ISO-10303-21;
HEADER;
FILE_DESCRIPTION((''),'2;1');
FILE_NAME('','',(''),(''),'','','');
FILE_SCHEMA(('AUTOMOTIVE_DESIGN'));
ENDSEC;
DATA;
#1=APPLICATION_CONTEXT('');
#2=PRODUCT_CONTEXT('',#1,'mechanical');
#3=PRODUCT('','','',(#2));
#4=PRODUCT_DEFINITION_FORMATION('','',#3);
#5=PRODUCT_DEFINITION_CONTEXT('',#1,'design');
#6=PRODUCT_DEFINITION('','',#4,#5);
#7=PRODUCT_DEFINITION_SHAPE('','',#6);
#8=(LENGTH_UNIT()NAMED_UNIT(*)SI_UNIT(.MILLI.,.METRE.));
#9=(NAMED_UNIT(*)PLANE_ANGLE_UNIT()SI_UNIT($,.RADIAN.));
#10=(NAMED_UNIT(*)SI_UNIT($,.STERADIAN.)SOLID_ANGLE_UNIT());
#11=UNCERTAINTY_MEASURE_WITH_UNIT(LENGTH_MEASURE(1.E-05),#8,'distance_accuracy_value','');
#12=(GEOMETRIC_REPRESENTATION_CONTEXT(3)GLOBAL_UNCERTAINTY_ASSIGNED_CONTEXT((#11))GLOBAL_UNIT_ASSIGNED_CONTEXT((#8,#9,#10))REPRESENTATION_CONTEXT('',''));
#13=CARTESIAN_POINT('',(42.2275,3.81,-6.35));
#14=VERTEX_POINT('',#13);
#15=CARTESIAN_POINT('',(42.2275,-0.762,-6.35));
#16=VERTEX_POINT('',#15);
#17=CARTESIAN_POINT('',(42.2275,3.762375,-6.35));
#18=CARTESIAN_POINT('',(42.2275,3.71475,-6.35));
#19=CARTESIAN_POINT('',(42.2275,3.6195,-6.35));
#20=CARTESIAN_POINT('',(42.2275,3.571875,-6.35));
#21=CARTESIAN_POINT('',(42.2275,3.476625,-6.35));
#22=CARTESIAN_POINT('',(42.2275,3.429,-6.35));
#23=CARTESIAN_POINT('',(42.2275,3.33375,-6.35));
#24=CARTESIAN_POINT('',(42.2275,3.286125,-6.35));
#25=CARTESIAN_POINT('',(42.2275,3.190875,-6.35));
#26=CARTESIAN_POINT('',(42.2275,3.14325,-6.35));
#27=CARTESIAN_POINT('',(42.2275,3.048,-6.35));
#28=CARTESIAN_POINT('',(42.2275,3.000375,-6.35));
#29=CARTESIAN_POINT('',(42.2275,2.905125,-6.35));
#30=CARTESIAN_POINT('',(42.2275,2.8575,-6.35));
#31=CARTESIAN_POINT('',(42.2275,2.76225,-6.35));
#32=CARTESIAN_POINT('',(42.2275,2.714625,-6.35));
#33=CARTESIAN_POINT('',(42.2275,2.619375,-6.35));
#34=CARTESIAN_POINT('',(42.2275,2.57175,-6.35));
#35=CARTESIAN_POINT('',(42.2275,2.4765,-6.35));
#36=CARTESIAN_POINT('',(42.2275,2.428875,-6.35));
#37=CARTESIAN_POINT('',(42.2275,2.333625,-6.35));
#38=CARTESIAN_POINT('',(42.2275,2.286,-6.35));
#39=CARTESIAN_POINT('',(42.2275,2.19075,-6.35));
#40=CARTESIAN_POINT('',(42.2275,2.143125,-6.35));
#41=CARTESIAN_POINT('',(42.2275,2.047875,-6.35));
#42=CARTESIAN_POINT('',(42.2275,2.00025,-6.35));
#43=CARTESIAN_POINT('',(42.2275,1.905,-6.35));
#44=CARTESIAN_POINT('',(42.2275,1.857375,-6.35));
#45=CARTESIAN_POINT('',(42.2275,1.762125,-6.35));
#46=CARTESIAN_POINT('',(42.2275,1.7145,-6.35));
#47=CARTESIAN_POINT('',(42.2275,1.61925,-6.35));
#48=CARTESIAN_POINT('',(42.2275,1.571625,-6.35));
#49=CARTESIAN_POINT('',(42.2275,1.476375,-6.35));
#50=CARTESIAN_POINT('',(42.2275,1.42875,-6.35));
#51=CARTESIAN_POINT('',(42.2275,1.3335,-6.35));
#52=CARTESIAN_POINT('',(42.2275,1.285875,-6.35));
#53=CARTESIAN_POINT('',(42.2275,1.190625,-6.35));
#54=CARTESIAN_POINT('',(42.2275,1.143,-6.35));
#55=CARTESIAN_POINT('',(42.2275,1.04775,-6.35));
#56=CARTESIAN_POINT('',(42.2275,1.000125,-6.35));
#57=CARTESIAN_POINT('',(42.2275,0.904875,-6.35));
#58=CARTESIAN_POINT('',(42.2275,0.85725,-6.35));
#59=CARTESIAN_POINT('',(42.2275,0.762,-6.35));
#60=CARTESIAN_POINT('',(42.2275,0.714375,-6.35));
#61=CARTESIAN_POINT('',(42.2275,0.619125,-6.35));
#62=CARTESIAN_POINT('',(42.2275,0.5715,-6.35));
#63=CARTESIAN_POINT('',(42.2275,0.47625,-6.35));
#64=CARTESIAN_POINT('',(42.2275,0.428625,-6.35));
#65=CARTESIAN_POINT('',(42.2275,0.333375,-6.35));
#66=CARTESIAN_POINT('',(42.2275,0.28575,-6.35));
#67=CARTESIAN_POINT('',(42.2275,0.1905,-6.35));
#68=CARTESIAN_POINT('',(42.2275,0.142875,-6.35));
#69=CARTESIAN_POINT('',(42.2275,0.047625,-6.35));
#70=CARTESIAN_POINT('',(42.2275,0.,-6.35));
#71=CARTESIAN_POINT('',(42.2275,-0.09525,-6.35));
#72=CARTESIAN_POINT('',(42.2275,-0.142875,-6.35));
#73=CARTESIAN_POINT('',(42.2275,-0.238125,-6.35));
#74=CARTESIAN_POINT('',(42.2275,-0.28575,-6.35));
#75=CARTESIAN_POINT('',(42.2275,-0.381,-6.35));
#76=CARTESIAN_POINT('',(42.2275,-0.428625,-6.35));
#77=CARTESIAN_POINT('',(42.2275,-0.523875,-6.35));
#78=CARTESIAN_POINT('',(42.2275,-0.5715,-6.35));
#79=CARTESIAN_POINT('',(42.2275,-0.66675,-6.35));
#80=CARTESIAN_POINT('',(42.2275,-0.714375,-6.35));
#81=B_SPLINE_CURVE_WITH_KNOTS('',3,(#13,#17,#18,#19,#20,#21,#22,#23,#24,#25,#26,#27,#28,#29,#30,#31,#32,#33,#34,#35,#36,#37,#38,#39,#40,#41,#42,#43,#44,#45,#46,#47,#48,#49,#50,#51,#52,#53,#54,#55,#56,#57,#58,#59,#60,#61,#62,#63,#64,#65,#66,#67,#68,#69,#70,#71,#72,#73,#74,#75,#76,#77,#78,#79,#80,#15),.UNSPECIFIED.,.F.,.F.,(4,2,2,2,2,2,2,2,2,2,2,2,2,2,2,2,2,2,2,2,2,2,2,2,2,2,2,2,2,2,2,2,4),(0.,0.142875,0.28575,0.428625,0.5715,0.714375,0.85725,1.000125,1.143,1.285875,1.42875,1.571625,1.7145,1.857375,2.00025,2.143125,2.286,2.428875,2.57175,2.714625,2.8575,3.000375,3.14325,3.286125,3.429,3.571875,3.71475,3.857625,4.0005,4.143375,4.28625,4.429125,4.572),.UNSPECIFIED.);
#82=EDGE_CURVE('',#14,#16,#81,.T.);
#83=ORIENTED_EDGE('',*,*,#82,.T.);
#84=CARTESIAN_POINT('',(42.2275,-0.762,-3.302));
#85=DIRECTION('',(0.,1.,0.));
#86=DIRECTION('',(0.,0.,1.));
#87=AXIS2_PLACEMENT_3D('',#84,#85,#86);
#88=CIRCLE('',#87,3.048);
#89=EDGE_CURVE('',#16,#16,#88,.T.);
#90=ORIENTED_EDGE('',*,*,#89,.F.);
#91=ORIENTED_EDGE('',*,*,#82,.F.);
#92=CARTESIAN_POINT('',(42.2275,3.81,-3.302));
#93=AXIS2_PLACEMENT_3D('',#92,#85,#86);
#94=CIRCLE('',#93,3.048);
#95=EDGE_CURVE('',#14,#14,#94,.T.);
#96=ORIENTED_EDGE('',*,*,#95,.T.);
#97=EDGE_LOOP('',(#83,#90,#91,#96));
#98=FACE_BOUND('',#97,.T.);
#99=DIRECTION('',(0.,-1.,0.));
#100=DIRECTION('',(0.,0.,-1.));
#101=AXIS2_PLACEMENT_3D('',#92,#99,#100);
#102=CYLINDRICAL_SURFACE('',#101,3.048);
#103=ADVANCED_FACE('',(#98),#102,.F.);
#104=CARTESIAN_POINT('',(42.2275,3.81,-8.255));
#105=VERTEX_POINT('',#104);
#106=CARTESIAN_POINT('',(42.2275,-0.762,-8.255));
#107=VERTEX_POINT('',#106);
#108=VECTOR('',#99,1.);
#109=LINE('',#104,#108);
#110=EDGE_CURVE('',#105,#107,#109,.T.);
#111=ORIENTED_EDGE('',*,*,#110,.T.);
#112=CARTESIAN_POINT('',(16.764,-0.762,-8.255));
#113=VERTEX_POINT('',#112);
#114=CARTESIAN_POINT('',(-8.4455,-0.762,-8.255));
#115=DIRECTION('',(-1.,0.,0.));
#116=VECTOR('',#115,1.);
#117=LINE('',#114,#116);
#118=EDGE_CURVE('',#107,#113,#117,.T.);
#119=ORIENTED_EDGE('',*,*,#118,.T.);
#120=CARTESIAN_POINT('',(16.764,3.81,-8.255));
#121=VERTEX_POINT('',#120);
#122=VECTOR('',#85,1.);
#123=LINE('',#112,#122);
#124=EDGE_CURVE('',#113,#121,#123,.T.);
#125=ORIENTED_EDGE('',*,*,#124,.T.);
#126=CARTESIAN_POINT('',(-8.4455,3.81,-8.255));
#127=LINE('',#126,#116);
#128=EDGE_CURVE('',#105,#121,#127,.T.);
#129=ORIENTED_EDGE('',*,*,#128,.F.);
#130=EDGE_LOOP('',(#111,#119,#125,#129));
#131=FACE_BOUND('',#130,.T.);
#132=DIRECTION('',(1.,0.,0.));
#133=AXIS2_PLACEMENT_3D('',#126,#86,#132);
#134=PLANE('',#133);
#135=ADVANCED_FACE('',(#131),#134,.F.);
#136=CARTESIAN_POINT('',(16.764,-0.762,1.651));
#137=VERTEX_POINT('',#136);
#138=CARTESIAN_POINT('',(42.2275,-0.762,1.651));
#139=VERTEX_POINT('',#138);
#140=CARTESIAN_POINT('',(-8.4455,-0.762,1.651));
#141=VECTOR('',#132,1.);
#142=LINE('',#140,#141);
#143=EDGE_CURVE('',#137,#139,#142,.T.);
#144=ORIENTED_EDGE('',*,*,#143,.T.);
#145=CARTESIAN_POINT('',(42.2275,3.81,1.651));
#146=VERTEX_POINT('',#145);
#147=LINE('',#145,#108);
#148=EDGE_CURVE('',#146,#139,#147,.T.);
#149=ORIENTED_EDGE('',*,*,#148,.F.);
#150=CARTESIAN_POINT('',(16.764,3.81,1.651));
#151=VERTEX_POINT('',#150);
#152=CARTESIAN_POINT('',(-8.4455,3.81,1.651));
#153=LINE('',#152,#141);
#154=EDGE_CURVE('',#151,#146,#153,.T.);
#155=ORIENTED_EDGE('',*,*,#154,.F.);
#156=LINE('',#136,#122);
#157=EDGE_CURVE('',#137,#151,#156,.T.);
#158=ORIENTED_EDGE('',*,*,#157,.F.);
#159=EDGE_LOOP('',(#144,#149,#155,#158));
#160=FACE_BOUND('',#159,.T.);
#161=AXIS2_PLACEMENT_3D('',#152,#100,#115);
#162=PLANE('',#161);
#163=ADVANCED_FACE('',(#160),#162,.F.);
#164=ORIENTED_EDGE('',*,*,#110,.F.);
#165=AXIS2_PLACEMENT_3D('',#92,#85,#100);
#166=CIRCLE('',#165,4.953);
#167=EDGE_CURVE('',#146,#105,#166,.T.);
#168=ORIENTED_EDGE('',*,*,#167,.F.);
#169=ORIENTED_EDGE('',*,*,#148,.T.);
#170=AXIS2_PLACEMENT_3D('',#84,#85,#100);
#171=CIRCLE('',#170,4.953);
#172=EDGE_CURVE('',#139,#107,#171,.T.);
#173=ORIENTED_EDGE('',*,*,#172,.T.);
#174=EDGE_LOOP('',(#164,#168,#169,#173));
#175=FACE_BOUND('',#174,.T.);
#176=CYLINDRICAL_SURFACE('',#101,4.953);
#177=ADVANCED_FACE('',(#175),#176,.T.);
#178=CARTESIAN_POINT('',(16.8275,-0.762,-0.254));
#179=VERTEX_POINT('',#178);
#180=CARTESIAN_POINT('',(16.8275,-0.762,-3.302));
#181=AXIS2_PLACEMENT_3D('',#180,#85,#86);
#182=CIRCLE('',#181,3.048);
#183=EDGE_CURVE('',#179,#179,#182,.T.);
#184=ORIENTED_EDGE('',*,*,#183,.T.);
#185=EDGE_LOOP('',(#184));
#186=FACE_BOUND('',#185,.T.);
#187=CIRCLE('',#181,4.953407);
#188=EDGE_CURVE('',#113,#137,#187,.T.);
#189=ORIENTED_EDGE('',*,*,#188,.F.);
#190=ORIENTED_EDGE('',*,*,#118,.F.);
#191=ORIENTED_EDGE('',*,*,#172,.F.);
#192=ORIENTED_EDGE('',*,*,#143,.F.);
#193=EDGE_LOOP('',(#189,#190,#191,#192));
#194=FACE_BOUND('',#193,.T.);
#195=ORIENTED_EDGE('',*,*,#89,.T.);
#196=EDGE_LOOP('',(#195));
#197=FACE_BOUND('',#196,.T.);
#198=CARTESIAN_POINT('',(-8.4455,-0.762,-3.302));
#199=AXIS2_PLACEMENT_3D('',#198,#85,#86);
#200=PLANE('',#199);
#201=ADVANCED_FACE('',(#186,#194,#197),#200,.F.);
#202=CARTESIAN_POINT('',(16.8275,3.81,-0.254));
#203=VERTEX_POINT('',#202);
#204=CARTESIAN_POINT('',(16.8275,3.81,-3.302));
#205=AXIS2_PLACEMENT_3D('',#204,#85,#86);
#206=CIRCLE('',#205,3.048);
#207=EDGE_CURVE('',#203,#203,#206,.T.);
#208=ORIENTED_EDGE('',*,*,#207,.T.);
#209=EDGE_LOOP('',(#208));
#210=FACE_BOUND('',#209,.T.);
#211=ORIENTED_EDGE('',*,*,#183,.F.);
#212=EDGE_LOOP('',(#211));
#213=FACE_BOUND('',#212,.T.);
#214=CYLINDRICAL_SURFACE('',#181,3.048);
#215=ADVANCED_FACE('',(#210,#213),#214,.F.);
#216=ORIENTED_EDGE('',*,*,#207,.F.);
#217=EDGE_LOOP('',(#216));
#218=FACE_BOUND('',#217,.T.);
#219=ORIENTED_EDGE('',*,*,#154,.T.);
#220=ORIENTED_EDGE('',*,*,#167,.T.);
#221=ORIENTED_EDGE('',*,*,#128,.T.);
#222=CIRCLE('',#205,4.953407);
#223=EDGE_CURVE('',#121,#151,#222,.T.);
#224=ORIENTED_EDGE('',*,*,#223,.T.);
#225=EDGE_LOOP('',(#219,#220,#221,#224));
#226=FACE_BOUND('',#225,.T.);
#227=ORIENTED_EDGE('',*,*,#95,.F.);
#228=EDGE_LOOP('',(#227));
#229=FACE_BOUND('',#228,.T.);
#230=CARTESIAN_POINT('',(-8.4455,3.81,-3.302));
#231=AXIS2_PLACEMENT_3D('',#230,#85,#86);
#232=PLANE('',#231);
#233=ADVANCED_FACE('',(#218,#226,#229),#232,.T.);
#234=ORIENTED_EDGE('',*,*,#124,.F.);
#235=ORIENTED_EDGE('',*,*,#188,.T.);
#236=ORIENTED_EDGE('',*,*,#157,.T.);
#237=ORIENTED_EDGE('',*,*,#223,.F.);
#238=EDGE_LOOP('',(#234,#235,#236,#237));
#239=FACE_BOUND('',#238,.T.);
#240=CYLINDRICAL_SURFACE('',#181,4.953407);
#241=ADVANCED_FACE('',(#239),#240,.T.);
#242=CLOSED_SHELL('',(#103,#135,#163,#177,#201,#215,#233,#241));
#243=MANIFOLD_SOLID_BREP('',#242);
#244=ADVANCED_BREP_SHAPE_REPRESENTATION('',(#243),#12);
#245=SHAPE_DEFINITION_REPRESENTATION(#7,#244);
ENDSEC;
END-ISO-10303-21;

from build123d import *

# Parameters (mm, degrees)
ESQUISSE1_R             = 2.032
BOSS_EXTRU_1_DEPTH      = 3.048
ECHELLE1_SCALE          = 1.5
ESQUISSE2_R             = 3.048
ENL_V_MAT_EXTRU_1_DEPTH = 49.114943513
ESQUISSE3_R             = 3.048
ENL_V_MAT_EXTRU_2_DEPTH = 49.114943513


with BuildPart() as part:
    # Esquisse1 → Boss.-Extru.1 (new body)
    with BuildSketch(Plane(origin=(0, 0, 0), x_dir=(1, 0, 0), z_dir=(0, 1, 0))):
        with BuildLine():
            Line((0, 0), (33.782, 0))
            ThreePointArc((33.782, 0), (37.084, 3.302), (33.782, 6.604))
            Line((33.782, 6.604), (0, 6.604))
            ThreePointArc((0, 6.604), (-3.302, 3.302), (0, 0))
        make_face()
        with Locations(Location((0, 3.302, 0), (0, 0, 90))):
            Circle(ESQUISSE1_R, mode=Mode.SUBTRACT)
        with Locations(Location((33.782, 3.302, 0), (0, 0, 90))):
            Circle(ESQUISSE1_R, mode=Mode.SUBTRACT)
    extrude(amount=BOSS_EXTRU_1_DEPTH)


with BuildPart() as part_1:
    # Echelle1: scaled about (16.891, 1.524, -3.302)
    add(part.part.scale(ECHELLE1_SCALE).moved(Location((-8.4455, -0.762, 1.651))))

    # Esquisse2 → Enlèv. mat.-Extru.1 (cut, through all)
    with BuildSketch(Plane(origin=(0, 3.81, 0), x_dir=(1, 0, 0), z_dir=(0, 1, 0))):
        with Locations(Location((16.8275, 3.302, 0), (0, 0, 270))):
            Circle(ESQUISSE2_R)
    extrude(amount=-ENL_V_MAT_EXTRU_1_DEPTH, mode=Mode.SUBTRACT)

    # Esquisse3 → Enlèv. mat.-Extru.2 (cut, through all)
    # profile 1 of 3: a face of its own
    with BuildSketch(Plane(origin=(0, 3.81, 0), x_dir=(1, 0, 0), z_dir=(0, 1, 0))):
        with BuildLine():
            ThreePointArc((-13.3985, 3.301999981), (-11.947799894, 6.804299881), (-8.4455, 8.255))
            Line((-8.4455, 8.255), (-13.3985, 8.255))
            Line((-13.3985, 8.255), (-13.3985, 3.301999981))
        make_face()
    # profile 2 of 3: a face of its own
    with BuildSketch(Plane(origin=(0, 3.81, 0), x_dir=(1, 0, 0), z_dir=(0, 1, 0))):
        with BuildLine():
            ThreePointArc((-8.4455, -1.651), (-11.947799881, -0.200299894), (-13.3985, 3.301999981))
            Line((-13.3985, 3.301999981), (-13.3985, -1.651))
            Line((-13.3985, -1.651), (-8.4455, -1.651))
        make_face()
    # profile 3 of 3: a face of its own
    with BuildSketch(Plane(origin=(0, 3.81, 0), x_dir=(1, 0, 0), z_dir=(0, 1, 0))):
        with BuildLine():
            Line((16.764, 8.255), (-8.4455, 8.255))
            ThreePointArc((-8.4455, 8.255), (-11.947799894, 6.804299881), (-13.3985, 3.301999981))
            ThreePointArc((-13.3985, 3.301999981), (-11.947799881, -0.200299894), (-8.4455, -1.651))
            Line((-8.4455, -1.651), (16.764, -1.651))
            ThreePointArc((16.764, -1.651), (11.874092965, 3.302), (16.764, 8.255))
        make_face()
        with Locations((-8.4455, 3.302)):
            Circle(ESQUISSE3_R, mode=Mode.SUBTRACT)
    extrude(amount=-ENL_V_MAT_EXTRU_2_DEPTH, mode=Mode.SUBTRACT)


solid = part_1.part
